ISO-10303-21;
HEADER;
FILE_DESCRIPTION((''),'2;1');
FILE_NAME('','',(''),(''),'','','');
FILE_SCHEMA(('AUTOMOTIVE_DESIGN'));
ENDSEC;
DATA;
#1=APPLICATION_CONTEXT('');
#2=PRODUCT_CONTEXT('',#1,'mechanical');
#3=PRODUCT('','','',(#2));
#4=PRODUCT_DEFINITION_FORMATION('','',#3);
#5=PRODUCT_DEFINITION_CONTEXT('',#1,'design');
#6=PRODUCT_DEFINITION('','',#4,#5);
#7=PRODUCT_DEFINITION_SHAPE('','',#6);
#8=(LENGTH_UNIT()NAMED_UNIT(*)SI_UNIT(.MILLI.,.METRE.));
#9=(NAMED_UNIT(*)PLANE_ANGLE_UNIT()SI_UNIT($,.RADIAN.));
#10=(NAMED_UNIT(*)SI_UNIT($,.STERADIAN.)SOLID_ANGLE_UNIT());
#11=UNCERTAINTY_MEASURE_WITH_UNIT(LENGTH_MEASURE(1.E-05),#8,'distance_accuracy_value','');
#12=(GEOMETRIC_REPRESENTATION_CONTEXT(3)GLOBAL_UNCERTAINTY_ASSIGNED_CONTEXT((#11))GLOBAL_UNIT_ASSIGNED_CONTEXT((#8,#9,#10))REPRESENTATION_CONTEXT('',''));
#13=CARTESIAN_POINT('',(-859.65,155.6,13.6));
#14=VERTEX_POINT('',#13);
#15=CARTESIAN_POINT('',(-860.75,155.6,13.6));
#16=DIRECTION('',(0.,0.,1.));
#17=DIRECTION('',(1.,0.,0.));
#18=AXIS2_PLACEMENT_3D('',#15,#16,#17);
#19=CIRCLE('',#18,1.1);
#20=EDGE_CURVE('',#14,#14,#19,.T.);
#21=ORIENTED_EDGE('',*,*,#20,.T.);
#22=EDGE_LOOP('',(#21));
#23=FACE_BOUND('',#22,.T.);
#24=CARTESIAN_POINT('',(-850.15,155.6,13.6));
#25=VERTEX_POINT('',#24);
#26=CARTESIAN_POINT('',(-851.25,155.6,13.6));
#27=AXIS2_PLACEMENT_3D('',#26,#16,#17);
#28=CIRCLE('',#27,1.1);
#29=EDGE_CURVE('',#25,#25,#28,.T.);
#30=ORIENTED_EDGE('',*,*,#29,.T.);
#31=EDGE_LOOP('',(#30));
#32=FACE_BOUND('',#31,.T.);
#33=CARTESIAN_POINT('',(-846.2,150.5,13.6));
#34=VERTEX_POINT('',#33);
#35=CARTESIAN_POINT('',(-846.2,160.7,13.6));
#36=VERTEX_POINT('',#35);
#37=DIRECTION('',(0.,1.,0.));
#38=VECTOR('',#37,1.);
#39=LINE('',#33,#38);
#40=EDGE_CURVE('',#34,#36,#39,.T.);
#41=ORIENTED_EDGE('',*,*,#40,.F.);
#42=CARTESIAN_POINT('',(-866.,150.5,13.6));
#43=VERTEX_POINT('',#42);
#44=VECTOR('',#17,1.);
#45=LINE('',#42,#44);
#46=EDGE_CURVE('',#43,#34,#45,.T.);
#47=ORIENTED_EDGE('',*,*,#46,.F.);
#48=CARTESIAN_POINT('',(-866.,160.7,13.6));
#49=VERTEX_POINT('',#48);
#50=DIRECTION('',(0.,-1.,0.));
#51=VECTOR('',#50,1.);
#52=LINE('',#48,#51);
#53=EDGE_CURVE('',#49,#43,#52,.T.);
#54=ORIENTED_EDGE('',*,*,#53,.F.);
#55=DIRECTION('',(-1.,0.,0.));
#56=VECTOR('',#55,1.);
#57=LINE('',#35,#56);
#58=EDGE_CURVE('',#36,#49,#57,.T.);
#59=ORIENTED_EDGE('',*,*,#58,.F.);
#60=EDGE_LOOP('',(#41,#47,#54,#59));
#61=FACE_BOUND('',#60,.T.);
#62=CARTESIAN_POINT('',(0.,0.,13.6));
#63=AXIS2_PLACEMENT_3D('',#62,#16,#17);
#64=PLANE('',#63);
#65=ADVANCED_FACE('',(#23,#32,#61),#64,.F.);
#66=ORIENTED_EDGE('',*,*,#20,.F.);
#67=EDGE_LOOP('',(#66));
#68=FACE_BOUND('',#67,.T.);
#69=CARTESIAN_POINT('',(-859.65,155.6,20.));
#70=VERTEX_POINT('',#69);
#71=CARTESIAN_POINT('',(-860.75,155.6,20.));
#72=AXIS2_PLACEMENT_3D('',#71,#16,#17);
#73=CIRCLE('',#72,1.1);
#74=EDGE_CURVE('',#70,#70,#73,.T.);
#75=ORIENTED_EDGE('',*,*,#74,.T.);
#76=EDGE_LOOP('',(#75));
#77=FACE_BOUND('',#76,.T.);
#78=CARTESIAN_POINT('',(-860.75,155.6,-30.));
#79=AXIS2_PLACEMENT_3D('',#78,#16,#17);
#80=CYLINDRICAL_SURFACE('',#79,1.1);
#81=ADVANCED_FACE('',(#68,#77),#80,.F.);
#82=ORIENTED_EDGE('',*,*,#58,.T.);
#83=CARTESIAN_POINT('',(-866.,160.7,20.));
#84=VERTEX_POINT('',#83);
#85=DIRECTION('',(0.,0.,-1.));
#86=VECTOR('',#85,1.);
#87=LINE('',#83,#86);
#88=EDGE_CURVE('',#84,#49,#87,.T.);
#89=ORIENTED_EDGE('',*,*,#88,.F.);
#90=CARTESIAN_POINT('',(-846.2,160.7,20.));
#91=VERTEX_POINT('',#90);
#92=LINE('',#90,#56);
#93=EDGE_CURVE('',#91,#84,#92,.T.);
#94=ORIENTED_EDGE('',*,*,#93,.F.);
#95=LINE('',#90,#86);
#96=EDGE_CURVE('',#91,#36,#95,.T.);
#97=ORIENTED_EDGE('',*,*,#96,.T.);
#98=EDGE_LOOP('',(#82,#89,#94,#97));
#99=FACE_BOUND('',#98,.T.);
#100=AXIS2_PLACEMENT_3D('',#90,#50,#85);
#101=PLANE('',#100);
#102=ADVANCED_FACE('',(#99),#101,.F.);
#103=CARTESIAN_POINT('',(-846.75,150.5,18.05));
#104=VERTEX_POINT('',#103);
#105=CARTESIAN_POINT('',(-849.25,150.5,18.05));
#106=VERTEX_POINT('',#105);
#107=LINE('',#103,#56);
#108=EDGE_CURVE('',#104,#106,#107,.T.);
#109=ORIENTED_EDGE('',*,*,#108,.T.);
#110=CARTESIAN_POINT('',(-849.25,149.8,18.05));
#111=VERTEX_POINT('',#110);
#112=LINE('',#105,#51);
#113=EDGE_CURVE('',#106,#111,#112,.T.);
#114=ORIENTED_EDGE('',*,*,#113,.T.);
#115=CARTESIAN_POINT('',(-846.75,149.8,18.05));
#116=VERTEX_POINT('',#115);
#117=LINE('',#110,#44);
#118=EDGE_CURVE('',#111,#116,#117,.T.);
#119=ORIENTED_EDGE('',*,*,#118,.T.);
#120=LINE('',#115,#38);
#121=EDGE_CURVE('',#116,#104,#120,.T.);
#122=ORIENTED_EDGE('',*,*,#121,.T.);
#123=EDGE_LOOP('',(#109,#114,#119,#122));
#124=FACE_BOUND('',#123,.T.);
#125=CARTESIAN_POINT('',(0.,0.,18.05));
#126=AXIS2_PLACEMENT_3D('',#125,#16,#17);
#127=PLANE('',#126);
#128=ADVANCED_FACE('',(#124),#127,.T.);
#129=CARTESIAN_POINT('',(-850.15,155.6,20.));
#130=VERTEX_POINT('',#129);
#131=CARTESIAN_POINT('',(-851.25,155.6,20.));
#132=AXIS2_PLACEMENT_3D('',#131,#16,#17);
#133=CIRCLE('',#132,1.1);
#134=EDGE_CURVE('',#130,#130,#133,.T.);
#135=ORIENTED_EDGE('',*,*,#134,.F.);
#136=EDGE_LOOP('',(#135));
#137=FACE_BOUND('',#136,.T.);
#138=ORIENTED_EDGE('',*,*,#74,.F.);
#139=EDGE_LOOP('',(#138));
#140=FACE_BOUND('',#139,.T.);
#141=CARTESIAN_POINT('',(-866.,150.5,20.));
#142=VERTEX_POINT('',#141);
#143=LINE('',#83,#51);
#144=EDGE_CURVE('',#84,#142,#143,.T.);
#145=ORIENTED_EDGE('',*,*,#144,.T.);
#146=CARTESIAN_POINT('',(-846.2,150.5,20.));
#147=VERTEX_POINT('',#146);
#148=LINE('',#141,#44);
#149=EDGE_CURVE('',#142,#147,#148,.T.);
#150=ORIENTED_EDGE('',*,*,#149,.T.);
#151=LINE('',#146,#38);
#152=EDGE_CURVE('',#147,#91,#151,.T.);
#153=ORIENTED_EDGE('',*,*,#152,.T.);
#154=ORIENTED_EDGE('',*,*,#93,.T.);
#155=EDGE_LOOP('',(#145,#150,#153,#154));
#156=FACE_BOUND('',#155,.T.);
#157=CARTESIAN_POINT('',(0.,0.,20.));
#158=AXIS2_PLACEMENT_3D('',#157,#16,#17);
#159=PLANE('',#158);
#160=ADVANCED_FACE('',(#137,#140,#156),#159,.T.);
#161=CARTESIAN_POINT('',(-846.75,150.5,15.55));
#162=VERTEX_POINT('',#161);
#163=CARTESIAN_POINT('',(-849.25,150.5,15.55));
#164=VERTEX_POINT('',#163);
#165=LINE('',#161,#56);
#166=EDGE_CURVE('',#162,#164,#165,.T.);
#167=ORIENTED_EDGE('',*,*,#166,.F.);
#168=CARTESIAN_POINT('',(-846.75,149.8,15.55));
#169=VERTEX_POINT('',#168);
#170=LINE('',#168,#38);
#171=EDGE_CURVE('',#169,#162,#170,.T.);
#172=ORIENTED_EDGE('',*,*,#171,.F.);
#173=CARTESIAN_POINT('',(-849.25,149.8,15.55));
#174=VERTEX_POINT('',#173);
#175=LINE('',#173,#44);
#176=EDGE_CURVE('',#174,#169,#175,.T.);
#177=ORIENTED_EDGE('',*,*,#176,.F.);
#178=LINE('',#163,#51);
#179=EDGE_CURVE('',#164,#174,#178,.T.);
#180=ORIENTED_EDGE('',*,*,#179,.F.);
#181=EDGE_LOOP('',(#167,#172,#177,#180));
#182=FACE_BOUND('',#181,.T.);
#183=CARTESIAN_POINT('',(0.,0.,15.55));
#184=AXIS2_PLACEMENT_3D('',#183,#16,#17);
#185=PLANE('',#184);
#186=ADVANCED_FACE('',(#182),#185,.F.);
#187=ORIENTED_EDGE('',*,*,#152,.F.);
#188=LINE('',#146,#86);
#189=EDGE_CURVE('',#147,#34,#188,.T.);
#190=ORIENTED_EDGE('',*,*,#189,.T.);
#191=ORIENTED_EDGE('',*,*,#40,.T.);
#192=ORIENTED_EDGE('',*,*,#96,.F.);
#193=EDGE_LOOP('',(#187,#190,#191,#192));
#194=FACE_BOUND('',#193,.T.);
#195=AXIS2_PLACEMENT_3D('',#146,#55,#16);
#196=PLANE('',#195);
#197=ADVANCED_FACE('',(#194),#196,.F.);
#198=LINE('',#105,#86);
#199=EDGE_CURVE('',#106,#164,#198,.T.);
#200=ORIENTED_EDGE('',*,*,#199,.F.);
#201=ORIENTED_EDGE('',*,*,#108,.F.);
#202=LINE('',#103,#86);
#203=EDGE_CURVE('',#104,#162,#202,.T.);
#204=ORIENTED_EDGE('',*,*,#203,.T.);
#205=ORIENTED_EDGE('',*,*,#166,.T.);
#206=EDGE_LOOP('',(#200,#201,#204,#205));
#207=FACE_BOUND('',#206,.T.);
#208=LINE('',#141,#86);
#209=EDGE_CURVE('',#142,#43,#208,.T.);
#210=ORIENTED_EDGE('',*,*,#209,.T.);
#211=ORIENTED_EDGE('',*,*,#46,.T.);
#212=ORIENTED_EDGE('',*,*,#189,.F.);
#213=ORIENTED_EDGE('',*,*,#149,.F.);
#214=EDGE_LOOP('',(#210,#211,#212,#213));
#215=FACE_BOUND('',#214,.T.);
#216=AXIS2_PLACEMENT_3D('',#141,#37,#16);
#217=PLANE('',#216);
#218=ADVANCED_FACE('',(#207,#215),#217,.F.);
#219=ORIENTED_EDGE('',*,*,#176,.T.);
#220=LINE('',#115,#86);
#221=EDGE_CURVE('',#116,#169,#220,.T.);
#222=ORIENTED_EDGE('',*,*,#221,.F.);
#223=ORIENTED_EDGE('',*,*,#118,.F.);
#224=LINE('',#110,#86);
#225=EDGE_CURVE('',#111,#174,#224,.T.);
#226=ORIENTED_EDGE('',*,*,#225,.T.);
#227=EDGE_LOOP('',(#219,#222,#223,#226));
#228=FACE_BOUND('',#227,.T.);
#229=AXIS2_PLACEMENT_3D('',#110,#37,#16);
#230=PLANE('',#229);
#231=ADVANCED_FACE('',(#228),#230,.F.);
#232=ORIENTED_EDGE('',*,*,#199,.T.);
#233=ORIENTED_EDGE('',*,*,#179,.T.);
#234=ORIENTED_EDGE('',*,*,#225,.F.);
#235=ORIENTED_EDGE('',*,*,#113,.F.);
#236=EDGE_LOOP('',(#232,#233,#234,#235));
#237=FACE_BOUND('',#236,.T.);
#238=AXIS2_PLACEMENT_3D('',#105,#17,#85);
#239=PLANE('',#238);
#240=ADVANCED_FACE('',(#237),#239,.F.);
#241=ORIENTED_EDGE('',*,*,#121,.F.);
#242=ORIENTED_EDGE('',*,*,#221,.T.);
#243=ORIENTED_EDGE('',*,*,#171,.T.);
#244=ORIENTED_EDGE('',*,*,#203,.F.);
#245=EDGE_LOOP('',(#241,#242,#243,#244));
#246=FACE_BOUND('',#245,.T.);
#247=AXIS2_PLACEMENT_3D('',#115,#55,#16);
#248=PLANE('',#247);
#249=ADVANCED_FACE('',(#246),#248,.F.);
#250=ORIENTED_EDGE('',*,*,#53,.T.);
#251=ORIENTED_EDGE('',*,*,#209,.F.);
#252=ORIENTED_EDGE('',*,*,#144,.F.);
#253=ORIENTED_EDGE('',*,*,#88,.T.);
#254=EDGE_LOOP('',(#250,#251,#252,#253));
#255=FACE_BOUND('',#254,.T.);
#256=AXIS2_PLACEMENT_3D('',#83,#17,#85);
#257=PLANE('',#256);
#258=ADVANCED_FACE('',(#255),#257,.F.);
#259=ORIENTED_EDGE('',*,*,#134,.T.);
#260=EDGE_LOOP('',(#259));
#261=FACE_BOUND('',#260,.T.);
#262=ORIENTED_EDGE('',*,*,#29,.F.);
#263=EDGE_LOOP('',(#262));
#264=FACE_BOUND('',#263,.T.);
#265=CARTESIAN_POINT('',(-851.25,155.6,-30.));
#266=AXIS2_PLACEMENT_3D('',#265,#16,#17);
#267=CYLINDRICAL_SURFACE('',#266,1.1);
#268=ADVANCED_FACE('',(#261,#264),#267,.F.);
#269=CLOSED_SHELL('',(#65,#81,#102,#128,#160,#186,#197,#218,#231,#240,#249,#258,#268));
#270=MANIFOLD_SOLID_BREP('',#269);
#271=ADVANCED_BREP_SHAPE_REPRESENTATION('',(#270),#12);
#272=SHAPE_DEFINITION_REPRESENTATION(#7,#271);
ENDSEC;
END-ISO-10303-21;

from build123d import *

# Parameters (mm, degrees)
CASE_SKETCH_W        = 19.8
CASE_SKETCH_H        = 10.2
CASE_2_DEPTH         = 6.4
SCREW_HOLES_SKETCH_R = 1.1
SCREW_HOLES_DEPTH    = 30
PLUNGER_SKETCH_W     = 2.5
PLUNGER_SKETCH_H     = 0.7
PLUNGER_DEPTH        = 2.5


with BuildPart() as part:
    # Case Sketch → Case 2 (new body)
    with BuildSketch(Plane.XY.offset(13.6)):
        with Locations((-856.1, 155.6)):
            Rectangle(CASE_SKETCH_W, CASE_SKETCH_H)
    extrude(amount=CASE_2_DEPTH)

    # Screw Holes Sketch → Screw Holes (cut, symmetric)
    with BuildSketch(Plane.XY):
        with Locations((-860.75, 155.6)):
            Circle(SCREW_HOLES_SKETCH_R)
        with Locations((-851.25, 155.6)):
            Circle(SCREW_HOLES_SKETCH_R)
    extrude(amount=SCREW_HOLES_DEPTH, both=True, mode=Mode.SUBTRACT)

    # Plunger Sketch → Plunger (add)
    with BuildSketch(Plane.XY.offset(15.55)):
        with Locations((-848, 150.15)):
            Rectangle(PLUNGER_SKETCH_W, PLUNGER_SKETCH_H)
    extrude(amount=PLUNGER_DEPTH)


solid = part.part
